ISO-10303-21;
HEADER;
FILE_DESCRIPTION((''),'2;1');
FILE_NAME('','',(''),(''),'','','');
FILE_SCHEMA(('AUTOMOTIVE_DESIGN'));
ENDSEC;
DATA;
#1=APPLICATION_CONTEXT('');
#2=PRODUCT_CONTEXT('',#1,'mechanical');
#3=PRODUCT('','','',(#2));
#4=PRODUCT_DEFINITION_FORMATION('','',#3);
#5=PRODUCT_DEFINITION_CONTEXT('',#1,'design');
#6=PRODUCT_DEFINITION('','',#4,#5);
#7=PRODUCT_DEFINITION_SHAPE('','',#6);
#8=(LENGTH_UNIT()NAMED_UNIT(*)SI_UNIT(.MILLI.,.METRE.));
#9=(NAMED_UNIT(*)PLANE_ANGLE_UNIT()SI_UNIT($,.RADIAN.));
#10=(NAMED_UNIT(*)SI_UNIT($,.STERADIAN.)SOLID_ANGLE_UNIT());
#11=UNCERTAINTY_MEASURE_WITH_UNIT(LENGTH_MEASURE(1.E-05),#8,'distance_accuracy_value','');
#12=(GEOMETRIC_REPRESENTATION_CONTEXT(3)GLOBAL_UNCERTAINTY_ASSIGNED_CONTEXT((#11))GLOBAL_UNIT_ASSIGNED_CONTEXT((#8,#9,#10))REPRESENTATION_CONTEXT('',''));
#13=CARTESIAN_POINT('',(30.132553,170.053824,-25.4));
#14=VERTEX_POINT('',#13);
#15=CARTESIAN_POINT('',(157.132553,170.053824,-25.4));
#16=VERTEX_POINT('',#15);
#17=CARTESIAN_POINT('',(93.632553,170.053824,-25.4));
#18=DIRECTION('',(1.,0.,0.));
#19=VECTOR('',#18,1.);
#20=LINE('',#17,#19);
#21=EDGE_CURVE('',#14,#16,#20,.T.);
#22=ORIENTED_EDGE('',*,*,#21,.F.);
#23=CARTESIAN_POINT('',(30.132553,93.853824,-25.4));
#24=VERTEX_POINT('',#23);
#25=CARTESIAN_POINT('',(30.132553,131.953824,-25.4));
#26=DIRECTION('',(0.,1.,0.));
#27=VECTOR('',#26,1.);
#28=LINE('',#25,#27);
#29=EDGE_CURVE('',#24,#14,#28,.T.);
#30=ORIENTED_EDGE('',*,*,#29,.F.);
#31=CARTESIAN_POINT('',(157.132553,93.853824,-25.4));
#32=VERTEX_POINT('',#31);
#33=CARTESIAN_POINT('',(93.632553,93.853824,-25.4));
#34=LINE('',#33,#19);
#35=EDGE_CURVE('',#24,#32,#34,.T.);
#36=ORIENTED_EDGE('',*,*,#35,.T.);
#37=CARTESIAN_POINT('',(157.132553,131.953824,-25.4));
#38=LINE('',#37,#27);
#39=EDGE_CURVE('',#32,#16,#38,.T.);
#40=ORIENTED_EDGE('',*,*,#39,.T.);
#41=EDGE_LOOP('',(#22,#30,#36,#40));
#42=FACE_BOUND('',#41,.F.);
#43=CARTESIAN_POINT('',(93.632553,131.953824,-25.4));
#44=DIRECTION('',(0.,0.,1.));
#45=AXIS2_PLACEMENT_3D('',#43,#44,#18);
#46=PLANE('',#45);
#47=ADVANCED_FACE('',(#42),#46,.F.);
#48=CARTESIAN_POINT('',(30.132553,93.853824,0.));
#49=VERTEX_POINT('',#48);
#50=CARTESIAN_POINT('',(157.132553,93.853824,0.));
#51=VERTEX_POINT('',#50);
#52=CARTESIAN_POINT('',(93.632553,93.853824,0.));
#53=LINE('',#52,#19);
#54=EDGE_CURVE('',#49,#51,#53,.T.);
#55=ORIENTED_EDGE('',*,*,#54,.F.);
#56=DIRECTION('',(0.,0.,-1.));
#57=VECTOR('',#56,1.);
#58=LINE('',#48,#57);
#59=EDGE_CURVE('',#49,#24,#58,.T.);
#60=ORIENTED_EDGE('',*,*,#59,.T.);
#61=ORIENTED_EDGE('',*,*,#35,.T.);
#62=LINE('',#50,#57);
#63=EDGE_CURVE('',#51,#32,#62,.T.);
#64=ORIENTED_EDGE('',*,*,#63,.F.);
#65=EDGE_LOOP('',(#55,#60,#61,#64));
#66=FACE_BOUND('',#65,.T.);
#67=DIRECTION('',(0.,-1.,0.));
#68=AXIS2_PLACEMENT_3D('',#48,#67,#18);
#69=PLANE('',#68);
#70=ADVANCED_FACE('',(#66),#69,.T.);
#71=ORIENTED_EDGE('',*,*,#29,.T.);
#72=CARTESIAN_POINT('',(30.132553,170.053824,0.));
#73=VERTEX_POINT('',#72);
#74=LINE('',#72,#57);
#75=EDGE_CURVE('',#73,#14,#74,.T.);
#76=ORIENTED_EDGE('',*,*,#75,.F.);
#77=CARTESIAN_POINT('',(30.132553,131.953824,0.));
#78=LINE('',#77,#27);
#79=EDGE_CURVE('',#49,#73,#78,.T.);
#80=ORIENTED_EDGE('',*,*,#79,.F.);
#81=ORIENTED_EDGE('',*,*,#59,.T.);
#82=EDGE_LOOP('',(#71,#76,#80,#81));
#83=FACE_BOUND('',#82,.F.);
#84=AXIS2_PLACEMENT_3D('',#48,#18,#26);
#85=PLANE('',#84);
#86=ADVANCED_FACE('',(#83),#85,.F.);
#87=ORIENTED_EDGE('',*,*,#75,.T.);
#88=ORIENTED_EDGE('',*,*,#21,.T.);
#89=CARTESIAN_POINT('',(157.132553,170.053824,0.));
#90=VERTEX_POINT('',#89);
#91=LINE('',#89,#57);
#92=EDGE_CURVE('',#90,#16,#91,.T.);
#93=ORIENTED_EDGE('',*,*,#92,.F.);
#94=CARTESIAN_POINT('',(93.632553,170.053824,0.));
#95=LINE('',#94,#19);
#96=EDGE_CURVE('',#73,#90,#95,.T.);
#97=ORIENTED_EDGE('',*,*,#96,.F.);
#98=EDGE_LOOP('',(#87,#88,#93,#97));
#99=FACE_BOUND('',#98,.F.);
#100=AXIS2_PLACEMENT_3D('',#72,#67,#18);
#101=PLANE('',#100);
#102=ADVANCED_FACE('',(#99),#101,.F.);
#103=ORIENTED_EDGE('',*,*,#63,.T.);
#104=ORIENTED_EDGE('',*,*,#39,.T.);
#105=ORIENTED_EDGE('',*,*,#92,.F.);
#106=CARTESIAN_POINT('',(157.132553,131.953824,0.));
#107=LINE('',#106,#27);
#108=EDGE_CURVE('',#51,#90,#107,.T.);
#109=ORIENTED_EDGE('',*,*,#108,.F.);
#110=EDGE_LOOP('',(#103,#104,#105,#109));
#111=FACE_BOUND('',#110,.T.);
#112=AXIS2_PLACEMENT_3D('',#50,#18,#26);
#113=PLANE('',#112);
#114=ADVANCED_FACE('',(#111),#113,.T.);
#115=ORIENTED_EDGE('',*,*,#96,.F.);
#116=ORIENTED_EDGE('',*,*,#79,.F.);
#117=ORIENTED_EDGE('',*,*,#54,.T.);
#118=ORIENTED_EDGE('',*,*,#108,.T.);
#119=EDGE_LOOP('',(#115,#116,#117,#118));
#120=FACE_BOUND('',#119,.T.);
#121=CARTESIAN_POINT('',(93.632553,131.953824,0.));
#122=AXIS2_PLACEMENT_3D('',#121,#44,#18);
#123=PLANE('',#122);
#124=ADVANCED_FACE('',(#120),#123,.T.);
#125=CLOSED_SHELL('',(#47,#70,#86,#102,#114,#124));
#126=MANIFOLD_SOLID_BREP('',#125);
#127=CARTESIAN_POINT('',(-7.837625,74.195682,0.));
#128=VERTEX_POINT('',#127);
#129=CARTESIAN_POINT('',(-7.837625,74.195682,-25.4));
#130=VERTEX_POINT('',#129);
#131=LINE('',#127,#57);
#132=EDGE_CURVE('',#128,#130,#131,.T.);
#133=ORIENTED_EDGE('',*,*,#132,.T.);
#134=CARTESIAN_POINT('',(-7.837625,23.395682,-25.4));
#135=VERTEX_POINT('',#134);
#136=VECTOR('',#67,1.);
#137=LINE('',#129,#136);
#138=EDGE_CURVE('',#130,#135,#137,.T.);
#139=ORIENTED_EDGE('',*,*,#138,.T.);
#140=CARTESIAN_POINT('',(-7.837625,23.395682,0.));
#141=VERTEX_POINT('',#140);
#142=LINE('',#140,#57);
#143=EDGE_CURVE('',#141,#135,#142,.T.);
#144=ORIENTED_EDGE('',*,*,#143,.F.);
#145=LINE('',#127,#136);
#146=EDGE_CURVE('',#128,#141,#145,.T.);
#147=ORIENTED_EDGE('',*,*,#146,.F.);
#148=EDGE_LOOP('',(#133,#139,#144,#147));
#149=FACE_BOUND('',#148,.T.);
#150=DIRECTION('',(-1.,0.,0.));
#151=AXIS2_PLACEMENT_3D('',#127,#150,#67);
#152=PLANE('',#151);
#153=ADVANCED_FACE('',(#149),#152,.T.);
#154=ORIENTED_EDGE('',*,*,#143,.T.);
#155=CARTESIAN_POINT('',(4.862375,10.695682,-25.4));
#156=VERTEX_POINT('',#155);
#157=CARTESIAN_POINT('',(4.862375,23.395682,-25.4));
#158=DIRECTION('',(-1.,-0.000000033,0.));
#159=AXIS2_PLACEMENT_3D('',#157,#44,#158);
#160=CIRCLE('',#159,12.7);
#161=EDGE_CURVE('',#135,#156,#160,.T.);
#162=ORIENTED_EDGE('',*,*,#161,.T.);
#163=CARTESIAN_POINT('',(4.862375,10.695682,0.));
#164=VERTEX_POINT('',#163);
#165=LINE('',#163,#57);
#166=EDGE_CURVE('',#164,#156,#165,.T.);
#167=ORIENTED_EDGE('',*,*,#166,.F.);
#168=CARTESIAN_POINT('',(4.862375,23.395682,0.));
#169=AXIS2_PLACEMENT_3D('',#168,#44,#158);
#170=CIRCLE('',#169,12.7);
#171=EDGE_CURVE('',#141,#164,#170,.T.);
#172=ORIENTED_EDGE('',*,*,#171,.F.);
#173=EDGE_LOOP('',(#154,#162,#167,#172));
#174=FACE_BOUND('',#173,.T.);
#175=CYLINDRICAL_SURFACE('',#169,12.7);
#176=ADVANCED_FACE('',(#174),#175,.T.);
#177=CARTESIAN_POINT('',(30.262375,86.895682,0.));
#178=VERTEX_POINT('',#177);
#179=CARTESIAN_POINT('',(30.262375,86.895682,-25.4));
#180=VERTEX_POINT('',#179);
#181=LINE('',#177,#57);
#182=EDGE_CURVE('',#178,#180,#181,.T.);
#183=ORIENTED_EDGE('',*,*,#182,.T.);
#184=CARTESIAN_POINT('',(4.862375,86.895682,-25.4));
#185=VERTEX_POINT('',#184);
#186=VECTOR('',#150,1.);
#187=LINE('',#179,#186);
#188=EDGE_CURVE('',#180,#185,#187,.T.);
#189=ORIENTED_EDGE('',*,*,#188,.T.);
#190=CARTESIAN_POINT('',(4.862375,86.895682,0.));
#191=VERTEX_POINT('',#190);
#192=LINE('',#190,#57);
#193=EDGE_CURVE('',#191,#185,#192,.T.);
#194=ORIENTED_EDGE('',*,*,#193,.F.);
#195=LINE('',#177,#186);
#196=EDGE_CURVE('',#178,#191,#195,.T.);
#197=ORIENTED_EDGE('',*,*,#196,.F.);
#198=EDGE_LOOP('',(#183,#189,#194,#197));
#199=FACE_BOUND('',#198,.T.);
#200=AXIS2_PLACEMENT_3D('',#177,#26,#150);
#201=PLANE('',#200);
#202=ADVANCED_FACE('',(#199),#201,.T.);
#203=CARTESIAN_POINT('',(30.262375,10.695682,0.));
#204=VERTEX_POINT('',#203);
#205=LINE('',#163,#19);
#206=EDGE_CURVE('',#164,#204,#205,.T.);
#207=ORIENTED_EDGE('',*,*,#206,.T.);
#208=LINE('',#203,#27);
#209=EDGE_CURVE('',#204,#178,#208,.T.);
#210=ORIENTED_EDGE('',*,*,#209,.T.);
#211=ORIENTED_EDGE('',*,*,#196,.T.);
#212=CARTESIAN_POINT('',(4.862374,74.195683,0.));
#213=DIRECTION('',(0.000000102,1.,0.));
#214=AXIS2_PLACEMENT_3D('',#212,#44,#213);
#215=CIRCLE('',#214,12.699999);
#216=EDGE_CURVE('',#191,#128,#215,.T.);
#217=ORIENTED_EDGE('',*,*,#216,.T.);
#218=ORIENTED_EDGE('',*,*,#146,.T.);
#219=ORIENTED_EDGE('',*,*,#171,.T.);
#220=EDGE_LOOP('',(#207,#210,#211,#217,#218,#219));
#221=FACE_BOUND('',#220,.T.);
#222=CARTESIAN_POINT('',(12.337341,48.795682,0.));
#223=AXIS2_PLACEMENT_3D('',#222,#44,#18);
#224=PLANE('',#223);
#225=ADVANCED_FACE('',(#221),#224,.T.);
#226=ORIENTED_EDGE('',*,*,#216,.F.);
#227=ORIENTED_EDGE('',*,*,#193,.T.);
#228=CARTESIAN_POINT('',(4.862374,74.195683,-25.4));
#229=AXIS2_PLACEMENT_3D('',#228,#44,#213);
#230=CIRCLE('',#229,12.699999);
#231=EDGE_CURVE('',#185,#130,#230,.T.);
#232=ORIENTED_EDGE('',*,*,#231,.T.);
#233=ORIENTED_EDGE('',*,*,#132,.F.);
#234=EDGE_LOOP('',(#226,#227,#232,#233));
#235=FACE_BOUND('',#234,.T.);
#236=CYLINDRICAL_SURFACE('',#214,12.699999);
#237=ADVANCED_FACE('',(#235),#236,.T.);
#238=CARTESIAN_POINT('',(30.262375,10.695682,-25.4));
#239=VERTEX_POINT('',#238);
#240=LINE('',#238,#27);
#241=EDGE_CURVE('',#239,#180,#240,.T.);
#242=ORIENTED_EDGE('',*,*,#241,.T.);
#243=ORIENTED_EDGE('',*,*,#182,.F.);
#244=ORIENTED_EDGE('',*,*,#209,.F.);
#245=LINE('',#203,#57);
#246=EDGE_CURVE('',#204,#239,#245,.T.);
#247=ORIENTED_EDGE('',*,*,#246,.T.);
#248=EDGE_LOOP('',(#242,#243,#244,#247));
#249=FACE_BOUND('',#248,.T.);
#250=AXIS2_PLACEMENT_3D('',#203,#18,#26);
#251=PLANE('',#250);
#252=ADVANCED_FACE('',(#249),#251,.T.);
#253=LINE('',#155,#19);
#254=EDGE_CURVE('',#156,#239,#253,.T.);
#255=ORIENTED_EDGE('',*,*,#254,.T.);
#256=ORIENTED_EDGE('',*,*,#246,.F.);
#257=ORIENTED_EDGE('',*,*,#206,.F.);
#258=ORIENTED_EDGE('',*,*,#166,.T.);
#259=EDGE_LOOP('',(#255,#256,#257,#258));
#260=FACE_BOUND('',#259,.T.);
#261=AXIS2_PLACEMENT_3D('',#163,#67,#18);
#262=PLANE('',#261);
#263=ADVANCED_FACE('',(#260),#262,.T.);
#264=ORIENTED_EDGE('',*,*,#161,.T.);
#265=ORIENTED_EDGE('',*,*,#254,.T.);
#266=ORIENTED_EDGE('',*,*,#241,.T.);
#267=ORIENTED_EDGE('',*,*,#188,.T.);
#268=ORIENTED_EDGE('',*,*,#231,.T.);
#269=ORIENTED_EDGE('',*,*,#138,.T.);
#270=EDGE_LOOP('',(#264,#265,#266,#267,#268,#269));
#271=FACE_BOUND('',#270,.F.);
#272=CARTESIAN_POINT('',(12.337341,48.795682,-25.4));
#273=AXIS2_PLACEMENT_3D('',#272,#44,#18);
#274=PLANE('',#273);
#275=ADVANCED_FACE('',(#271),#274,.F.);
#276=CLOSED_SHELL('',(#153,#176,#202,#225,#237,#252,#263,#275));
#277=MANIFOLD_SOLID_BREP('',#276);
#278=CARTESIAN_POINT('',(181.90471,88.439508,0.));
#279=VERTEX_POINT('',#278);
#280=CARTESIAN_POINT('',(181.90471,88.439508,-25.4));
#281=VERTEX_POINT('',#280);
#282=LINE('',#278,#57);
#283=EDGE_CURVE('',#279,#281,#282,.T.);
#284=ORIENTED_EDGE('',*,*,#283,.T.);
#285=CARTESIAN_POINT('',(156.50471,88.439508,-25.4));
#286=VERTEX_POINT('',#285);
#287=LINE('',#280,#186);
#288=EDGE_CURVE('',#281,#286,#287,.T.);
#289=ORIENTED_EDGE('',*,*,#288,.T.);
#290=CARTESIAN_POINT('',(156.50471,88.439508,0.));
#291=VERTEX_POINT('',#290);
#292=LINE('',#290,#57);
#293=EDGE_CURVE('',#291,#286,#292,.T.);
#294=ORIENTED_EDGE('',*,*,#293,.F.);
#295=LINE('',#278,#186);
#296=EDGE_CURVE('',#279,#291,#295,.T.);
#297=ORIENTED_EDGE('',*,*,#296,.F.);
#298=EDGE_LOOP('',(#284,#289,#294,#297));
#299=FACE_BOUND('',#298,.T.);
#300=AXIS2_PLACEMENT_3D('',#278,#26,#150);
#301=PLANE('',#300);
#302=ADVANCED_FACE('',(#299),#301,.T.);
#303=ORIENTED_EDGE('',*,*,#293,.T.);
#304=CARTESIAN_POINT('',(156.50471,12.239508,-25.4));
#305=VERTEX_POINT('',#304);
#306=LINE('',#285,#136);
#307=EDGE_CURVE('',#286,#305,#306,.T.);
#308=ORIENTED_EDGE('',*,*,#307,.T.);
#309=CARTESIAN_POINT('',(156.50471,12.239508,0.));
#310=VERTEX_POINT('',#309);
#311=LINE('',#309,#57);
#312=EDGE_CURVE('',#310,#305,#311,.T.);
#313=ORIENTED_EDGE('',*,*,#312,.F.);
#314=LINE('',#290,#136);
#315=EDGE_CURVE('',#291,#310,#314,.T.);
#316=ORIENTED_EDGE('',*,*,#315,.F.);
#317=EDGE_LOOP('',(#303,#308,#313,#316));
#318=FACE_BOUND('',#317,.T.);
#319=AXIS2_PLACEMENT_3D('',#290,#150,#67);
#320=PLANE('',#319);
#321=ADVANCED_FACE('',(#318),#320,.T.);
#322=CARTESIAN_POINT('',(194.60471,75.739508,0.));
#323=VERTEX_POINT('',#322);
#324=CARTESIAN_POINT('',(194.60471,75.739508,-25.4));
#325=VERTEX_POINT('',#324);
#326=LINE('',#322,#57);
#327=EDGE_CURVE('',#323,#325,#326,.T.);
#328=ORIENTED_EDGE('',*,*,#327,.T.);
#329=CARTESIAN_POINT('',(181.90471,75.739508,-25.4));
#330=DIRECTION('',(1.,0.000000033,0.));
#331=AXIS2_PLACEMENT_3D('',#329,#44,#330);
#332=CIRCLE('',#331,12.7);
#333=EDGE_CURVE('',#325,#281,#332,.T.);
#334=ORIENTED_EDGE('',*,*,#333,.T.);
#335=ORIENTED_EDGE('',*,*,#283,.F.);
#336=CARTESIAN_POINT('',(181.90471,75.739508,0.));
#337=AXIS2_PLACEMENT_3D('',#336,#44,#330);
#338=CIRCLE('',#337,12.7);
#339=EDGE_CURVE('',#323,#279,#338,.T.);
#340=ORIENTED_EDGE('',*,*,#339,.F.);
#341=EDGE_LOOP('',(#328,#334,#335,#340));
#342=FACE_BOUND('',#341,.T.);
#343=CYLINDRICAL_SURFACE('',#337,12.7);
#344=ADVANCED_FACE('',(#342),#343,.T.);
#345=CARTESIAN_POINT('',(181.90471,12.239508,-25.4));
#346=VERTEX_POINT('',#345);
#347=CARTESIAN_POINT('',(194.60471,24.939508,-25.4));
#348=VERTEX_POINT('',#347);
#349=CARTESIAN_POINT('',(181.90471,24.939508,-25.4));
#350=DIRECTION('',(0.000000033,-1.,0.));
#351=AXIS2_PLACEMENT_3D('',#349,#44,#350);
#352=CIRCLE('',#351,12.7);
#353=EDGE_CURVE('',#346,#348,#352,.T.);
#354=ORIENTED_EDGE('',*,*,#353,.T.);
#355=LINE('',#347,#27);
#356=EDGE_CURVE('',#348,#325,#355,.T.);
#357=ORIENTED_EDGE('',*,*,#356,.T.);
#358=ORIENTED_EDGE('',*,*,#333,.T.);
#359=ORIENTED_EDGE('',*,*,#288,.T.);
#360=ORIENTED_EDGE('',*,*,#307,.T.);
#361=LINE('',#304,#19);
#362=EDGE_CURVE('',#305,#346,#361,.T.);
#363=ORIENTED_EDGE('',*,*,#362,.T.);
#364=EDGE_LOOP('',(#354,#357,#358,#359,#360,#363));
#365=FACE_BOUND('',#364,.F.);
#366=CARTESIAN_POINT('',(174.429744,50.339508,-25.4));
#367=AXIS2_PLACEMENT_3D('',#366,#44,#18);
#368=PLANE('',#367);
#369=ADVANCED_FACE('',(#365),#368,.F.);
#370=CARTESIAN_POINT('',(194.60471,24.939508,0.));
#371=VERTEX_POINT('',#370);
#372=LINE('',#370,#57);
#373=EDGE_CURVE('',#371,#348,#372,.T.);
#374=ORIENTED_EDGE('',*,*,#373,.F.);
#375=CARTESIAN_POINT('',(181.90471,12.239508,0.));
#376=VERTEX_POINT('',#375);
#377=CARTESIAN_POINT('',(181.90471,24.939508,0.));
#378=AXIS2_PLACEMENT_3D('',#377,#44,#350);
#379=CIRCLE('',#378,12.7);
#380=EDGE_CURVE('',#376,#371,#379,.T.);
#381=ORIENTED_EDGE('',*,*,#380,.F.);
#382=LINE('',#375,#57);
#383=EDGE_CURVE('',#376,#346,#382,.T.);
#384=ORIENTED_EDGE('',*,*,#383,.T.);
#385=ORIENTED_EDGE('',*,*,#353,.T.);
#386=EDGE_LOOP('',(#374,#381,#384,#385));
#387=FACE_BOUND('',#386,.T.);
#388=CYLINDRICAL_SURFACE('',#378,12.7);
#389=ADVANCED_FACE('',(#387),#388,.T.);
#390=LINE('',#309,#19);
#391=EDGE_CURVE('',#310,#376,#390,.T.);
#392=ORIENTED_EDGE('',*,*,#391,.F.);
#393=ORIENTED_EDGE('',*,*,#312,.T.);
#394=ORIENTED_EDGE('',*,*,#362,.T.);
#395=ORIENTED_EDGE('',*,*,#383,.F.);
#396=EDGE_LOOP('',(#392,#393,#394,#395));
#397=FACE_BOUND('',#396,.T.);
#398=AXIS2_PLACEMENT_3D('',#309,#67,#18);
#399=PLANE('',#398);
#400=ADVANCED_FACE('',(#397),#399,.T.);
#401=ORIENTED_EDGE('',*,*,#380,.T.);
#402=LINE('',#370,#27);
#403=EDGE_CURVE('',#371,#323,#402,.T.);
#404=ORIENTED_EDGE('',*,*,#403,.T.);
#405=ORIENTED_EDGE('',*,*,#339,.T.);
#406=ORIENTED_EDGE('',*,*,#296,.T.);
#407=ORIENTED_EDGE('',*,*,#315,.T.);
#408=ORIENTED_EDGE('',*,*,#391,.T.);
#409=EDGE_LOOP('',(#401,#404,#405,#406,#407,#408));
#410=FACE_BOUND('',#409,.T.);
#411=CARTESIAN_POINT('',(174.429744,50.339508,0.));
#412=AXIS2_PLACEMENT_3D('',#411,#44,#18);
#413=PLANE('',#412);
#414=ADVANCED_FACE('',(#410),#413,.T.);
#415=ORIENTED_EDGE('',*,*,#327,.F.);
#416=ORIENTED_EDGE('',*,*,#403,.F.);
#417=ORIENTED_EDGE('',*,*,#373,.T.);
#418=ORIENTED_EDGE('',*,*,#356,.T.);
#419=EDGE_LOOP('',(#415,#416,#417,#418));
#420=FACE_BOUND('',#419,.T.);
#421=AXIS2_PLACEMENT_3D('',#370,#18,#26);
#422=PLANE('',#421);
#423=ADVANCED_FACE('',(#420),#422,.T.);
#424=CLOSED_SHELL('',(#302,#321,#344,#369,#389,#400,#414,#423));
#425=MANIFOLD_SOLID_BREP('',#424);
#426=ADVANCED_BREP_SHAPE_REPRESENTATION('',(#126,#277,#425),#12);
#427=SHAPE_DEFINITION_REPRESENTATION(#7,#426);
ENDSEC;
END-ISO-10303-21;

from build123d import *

# Parameters (mm, degrees)
F1_W     = 127
F1_H     = 76.2
F4_DEPTH = 25.4
F5_DEPTH = 25.4
F6_DEPTH = 25.4


with BuildPart() as f4:
    # F1 (on face) → F4 (new body)
    with BuildSketch(Plane.XY):
        with Locations((93.632553, 131.953824)):
            Rectangle(F1_W, F1_H)
    extrude(amount=-F4_DEPTH)


with BuildPart() as f5:
    # F3 (on face) → F5 (new body)
    with BuildSketch(Plane.XY):
        with BuildLine():
            Line((181.90471, 88.439508), (156.50471, 88.439508))
            Line((156.50471, 88.439508), (156.50471, 12.239508))
            Line((156.50471, 12.239508), (181.90471, 12.239508))
            ThreePointArc((181.90471, 12.239508), (190.884966, 15.959252), (194.60471, 24.939508))
            Line((194.60471, 24.939508), (194.60471, 75.739508))
            ThreePointArc((194.60471, 75.739508), (190.884966, 84.719764), (181.90471, 88.439508))
        make_face()
    extrude(amount=-F5_DEPTH)


with BuildPart() as f6:
    # F2 (on face) → F6 (new body)
    with BuildSketch(Plane.XY):
        with BuildLine():
            Line((30.262375, 86.895682), (4.862375, 86.895682))
            ThreePointArc((4.862375, 86.895682), (-4.117881, 83.175939), (-7.837625, 74.195682))
            Line((-7.837625, 74.195682), (-7.837625, 23.395682))
            ThreePointArc((-7.837625, 23.395682), (-4.117881, 14.415426), (4.862375, 10.695682))
            Line((4.862375, 10.695682), (30.262375, 10.695682))
            Line((30.262375, 10.695682), (30.262375, 86.895682))
        make_face()
    extrude(amount=-F6_DEPTH)


solid = Compound([f4.part, f5.part, f6.part])
